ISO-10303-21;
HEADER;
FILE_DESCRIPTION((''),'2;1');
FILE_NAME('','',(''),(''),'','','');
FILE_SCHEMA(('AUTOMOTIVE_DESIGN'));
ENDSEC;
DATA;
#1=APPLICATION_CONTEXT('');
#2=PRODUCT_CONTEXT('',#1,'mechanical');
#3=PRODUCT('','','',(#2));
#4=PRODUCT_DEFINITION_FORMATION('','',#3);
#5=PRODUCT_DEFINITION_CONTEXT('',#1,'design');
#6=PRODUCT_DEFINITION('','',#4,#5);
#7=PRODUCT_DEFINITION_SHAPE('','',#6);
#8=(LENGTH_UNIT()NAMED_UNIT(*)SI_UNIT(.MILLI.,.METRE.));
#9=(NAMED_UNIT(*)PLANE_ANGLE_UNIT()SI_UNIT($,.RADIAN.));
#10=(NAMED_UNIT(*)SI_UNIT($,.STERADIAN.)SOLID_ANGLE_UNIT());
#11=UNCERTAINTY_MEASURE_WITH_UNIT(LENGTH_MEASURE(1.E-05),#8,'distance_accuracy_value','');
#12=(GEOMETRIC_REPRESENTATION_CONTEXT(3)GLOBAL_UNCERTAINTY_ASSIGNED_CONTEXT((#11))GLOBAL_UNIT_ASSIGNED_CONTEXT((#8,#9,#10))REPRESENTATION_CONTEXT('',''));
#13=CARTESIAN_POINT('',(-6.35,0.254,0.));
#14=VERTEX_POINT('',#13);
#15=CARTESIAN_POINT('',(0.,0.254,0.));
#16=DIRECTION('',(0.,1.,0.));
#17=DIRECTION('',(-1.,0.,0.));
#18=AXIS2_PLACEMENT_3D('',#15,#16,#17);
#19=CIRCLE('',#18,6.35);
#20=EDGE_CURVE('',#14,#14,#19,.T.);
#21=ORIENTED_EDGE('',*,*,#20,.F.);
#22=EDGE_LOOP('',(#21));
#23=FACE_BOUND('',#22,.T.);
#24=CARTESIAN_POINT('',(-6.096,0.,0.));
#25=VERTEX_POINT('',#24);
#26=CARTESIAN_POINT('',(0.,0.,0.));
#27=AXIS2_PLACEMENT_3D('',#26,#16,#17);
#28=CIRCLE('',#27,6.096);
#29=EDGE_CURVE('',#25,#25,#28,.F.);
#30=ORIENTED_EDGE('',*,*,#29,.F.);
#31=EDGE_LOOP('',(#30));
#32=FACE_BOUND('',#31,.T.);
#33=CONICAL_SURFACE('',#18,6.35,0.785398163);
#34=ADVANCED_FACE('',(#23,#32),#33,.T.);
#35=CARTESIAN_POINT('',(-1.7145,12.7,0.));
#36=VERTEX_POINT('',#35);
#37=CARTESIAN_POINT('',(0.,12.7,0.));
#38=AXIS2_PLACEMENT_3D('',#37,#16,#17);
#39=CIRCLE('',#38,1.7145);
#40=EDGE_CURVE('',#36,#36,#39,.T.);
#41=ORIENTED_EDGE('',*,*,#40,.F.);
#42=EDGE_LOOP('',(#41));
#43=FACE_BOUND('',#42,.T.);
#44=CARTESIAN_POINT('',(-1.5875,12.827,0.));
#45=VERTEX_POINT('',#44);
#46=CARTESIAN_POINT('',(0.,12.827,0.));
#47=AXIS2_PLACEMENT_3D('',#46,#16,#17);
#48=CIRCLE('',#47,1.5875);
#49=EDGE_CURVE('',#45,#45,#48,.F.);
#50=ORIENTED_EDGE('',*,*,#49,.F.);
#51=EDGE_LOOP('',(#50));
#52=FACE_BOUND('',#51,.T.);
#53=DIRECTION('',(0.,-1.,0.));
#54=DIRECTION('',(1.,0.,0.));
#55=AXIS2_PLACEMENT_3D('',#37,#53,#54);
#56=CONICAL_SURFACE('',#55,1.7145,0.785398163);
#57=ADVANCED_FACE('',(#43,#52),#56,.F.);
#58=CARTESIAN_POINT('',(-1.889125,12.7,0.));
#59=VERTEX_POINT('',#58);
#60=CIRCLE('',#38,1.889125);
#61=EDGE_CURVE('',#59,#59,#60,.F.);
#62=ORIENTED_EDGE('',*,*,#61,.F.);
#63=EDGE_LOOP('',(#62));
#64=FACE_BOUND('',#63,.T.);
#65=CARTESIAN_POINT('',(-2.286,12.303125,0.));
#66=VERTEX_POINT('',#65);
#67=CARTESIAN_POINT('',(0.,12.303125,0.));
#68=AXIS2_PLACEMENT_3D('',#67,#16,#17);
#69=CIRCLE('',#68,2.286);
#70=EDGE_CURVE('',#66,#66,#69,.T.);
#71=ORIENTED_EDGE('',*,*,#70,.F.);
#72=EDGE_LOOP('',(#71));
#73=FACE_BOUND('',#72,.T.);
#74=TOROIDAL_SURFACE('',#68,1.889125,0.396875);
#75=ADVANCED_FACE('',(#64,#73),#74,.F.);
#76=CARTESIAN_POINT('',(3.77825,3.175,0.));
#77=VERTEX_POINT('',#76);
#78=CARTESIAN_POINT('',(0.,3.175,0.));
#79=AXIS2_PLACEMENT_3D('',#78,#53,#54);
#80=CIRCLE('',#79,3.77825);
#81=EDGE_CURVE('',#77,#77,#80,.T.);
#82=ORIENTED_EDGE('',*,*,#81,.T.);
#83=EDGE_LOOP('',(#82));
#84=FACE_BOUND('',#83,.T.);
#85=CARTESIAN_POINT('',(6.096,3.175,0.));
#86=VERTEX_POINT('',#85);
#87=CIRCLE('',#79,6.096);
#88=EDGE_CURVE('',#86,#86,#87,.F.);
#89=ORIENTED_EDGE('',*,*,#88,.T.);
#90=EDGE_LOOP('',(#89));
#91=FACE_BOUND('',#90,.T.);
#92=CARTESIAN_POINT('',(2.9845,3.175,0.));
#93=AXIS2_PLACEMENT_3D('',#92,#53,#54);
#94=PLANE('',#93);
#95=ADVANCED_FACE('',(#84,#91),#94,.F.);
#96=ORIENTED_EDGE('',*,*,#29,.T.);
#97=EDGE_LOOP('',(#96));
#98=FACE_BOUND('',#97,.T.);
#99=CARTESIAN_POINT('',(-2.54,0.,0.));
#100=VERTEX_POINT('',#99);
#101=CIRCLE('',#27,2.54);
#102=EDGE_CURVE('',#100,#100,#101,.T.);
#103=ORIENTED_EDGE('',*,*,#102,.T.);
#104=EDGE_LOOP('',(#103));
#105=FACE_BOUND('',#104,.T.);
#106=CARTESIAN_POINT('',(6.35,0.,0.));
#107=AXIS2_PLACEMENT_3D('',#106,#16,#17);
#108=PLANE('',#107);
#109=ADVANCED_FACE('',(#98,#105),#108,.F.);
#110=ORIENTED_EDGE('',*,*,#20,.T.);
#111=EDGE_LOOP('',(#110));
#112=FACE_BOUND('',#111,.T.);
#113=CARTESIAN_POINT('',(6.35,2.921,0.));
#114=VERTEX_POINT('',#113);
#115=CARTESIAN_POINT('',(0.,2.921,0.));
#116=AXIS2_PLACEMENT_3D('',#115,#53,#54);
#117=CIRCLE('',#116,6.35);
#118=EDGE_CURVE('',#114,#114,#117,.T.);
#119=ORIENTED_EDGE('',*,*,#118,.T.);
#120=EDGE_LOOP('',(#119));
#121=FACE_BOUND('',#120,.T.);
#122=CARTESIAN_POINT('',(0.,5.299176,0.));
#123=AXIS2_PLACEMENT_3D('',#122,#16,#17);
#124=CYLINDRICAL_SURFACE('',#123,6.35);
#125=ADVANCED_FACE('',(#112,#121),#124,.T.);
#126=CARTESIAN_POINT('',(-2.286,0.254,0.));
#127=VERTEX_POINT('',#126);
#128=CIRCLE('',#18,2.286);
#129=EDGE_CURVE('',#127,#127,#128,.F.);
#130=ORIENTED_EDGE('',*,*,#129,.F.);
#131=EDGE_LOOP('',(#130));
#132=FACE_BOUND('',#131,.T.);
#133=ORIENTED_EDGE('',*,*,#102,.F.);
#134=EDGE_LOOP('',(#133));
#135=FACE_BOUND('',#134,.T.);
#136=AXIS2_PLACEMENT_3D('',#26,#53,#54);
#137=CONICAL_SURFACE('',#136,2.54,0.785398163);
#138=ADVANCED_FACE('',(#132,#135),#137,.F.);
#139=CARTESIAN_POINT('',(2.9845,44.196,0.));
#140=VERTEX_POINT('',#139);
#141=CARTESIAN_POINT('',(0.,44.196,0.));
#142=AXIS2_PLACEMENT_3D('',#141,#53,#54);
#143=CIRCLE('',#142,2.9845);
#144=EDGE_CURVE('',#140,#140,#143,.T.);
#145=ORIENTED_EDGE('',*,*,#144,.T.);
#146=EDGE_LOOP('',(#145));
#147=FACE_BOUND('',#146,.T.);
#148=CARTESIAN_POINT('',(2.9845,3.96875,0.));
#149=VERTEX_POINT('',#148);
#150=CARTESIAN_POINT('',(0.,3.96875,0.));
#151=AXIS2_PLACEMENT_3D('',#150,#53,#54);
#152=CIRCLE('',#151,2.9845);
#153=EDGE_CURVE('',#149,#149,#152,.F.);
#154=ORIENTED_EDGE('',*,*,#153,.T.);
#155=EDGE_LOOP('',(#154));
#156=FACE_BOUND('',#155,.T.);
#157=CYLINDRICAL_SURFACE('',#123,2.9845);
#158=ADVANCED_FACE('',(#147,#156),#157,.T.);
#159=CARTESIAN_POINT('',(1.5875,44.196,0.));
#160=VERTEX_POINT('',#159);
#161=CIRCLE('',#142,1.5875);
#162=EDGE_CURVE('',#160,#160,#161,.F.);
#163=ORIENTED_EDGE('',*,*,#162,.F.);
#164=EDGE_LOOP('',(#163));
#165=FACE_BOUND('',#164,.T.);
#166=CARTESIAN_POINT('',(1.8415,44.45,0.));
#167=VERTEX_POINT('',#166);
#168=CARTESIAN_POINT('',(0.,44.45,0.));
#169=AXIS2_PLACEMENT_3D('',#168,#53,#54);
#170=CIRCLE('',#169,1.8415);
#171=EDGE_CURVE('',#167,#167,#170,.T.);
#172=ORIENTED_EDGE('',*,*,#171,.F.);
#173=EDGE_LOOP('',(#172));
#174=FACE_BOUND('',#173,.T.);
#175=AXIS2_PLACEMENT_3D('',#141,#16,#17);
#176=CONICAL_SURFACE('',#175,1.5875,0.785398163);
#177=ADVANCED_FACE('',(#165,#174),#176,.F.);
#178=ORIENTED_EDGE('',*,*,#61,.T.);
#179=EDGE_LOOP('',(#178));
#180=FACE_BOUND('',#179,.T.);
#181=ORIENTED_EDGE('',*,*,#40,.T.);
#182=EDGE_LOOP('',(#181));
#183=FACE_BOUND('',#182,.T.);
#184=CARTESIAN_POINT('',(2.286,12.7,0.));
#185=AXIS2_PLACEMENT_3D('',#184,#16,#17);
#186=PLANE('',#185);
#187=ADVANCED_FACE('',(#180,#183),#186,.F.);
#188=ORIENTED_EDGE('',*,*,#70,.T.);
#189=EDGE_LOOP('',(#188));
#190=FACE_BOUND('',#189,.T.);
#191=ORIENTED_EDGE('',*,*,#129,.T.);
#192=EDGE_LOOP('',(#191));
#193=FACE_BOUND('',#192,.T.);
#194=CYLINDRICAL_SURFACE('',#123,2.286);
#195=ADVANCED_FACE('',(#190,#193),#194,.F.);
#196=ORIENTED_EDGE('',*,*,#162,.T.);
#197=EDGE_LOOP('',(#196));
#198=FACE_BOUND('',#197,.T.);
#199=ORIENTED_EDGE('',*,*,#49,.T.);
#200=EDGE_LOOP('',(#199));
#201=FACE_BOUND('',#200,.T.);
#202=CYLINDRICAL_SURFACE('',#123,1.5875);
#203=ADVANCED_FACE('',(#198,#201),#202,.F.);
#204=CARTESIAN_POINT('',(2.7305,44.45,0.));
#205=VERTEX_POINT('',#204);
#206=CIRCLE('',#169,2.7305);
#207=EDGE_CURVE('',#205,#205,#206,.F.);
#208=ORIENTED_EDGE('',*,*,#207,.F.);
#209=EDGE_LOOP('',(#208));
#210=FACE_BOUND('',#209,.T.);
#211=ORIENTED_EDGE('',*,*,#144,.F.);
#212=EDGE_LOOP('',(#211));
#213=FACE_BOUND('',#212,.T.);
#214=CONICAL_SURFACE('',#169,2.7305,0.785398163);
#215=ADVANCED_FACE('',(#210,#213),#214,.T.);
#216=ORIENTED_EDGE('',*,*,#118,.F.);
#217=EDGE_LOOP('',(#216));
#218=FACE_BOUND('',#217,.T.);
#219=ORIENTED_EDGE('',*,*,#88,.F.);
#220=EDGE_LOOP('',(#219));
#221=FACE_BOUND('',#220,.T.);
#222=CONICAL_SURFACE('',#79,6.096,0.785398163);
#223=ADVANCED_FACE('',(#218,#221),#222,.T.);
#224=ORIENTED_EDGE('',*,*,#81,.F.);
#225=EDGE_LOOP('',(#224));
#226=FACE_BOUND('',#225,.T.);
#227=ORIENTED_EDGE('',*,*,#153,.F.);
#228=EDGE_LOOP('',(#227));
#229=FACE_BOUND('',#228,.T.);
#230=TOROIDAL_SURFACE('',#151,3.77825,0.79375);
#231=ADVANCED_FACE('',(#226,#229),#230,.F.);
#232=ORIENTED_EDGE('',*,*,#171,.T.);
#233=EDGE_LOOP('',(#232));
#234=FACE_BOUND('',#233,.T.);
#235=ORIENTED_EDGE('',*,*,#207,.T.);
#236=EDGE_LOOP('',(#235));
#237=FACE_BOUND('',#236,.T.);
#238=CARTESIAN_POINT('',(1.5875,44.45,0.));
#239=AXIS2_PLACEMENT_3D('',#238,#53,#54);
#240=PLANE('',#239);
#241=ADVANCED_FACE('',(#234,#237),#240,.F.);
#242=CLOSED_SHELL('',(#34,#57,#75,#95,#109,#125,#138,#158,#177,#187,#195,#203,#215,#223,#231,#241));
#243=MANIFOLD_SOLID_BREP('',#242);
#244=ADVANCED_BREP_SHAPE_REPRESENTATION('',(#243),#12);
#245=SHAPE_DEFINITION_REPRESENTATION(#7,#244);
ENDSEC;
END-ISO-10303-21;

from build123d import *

# Parameters (mm, degrees)
FILLET1_R     = 0.396875
FILLET2_R     = 0.79375
CHAMFER1_SIZE = 0.254
CHAMFER2_SIZE = 0.127


with BuildPart() as part:
    # Sketch1 → Revolve1 (revolve)
    with BuildSketch(Plane.XY):
        Polygon((2.286, 0), (2.286, 12.7), (1.5875, 12.7), (1.5875, 44.45), (2.9845, 44.45), (2.9845, 3.175), (6.35, 3.175), (6.35, 0), align=None)
    revolve(axis=Axis((0, 5.299175628, 0), (0, -1, 0)))

    # Fillet1
    fillet1_edges = [part.edges().sort_by_distance(p)[0] for p in [
        (-2.286, 12.7, 0),
    ]]
    fillet(fillet1_edges, radius=FILLET1_R)

    # Fillet2
    fillet2_edges = [part.edges().sort_by_distance(p)[0] for p in [
        (-2.9845, 3.175, 0),
    ]]
    fillet(fillet2_edges, radius=FILLET2_R)

    # Chamfer1
    chamfer1_edges = [part.edges().sort_by_distance(p)[0] for p in [
        (-6.35, 0, 0),
        (-6.35, 3.175, 0),
        (-2.9845, 44.45, 0),
        (-1.5875, 44.45, 0),
        (-2.286, 0, 0),
    ]]
    chamfer(chamfer1_edges, length=CHAMFER1_SIZE)

    # Chamfer2
    chamfer2_edges = [part.edges().sort_by_distance(p)[0] for p in [
        (-1.5875, 12.7, 0),
    ]]
    chamfer(chamfer2_edges, length=CHAMFER2_SIZE)


solid = part.part
